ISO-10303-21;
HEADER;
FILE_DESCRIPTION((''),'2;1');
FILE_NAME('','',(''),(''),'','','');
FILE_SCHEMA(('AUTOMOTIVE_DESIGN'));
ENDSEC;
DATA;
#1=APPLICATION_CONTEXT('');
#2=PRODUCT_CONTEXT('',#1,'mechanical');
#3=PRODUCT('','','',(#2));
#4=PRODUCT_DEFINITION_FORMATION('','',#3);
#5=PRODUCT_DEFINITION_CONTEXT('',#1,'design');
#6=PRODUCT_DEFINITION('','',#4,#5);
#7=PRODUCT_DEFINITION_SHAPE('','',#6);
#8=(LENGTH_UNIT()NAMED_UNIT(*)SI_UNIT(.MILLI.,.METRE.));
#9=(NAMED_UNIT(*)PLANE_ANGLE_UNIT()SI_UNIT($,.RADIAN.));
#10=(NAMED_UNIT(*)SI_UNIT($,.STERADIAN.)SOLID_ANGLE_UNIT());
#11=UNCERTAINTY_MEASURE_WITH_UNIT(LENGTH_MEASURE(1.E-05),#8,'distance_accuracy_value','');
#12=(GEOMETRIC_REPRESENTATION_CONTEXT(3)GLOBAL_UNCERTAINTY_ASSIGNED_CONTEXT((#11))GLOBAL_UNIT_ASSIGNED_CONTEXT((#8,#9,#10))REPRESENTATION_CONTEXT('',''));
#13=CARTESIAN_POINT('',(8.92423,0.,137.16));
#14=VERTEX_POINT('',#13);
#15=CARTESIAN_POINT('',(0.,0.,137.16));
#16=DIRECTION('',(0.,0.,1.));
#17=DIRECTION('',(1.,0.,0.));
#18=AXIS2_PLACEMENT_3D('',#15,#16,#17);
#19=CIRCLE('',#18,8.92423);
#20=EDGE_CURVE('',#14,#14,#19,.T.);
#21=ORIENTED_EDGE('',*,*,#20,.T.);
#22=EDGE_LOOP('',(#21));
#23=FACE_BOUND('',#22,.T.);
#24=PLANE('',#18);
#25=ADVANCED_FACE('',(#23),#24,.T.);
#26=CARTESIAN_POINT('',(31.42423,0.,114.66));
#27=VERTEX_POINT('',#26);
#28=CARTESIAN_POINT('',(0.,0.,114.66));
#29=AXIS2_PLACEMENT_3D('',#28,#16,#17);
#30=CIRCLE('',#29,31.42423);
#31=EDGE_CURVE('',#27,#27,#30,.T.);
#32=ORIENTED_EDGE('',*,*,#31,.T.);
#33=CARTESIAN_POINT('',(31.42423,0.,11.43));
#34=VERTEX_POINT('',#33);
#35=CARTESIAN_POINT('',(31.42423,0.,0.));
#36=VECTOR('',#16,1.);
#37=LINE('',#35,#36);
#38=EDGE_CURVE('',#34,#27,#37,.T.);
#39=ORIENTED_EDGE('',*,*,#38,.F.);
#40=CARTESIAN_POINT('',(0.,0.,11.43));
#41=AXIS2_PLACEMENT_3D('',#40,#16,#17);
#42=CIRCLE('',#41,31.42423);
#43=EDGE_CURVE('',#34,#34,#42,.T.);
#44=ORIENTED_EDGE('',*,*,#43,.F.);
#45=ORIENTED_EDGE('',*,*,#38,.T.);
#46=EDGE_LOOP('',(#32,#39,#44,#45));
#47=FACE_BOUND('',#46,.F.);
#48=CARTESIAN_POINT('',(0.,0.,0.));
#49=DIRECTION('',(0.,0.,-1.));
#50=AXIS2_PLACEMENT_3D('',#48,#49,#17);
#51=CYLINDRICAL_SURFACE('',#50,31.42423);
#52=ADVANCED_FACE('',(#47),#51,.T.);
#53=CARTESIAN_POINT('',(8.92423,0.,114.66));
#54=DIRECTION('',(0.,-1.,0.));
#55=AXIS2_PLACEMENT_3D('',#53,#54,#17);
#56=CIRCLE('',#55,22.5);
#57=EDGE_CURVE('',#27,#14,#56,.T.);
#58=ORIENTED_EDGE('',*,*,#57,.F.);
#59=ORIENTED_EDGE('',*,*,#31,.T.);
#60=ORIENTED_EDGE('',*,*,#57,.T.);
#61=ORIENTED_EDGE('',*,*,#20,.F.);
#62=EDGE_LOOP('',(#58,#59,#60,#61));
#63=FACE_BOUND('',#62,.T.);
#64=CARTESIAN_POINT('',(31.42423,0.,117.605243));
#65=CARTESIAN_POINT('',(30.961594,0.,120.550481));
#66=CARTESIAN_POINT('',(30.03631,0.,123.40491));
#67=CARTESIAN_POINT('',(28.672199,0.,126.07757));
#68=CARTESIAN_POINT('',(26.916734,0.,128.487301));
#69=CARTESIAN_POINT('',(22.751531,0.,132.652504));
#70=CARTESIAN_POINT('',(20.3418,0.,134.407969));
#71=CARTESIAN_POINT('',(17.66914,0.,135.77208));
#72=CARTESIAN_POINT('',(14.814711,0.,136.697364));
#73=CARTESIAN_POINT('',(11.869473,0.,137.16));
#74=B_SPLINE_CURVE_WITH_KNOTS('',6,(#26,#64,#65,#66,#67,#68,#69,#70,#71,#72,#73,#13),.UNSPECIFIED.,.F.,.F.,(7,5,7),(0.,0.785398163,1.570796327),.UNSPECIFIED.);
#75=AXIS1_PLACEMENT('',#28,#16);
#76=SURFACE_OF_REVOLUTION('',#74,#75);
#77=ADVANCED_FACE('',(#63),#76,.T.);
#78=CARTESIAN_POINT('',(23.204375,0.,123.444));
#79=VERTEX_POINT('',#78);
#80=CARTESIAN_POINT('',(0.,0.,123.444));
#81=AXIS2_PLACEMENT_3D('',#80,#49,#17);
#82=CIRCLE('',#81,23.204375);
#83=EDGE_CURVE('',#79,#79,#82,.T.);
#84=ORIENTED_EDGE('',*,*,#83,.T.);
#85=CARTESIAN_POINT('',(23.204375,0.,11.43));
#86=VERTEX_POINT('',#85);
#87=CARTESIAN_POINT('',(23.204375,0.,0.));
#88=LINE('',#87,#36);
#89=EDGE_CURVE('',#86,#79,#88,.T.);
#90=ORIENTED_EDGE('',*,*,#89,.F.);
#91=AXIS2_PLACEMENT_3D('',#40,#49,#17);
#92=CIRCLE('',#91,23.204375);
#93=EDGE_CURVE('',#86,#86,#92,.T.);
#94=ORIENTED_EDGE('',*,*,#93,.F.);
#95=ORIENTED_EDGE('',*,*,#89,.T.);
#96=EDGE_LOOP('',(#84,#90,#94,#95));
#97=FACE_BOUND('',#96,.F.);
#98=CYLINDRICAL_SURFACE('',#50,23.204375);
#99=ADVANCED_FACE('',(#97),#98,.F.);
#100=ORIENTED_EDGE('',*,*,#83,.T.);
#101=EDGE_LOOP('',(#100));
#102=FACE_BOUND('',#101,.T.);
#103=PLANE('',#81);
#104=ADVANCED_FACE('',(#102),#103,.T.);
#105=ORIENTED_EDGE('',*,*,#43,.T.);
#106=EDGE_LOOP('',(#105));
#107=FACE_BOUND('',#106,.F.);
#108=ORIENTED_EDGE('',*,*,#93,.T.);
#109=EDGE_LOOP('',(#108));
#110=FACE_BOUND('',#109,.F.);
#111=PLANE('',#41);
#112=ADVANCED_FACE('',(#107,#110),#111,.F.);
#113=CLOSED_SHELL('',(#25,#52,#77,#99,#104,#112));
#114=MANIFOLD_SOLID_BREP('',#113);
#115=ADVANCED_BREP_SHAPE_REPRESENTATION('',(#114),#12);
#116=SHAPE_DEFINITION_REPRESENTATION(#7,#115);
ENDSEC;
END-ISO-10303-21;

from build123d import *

# Parameters (mm, degrees)
F0_R     = 34.9158107131
F1_DEPTH = 152.4
F2_R     = 25
F3_R     = 25.7826386029
F4_DEPTH = 137.16
F5_DEPTH = 12.7
F6_SCALE = 0.9


with BuildPart() as f1:
    # F0 (on Top) → F1 (new body)
    with BuildSketch(Plane.XY):
        Circle(F0_R)
    extrude(amount=F1_DEPTH)

    # F2
    f2_edges = [f1.edges().sort_by_distance(p)[0] for p in [
        (-34.915811, 0, 152.4),
    ]]
    fillet(f2_edges, radius=F2_R)

    # F3 (on face) → F4 (cut)
    with BuildSketch(Plane(origin=(0, 0, 0), x_dir=(1, 0, 0), z_dir=(0, 0, -1))):
        Circle(F3_R)
    extrude(amount=-F4_DEPTH, mode=Mode.SUBTRACT)

    # F5 (cut): a face of the model
    f5_faces = [f1.faces().sort_by_distance(p)[0] for p in [
        (-33.9282424521, 0, 0),
    ]]
    extrude(f5_faces, amount=-F5_DEPTH, mode=Mode.SUBTRACT)


with BuildPart() as f1_1:
    # F6: moved
    add(f1.part.scale(F6_SCALE))


solid = f1_1.part
